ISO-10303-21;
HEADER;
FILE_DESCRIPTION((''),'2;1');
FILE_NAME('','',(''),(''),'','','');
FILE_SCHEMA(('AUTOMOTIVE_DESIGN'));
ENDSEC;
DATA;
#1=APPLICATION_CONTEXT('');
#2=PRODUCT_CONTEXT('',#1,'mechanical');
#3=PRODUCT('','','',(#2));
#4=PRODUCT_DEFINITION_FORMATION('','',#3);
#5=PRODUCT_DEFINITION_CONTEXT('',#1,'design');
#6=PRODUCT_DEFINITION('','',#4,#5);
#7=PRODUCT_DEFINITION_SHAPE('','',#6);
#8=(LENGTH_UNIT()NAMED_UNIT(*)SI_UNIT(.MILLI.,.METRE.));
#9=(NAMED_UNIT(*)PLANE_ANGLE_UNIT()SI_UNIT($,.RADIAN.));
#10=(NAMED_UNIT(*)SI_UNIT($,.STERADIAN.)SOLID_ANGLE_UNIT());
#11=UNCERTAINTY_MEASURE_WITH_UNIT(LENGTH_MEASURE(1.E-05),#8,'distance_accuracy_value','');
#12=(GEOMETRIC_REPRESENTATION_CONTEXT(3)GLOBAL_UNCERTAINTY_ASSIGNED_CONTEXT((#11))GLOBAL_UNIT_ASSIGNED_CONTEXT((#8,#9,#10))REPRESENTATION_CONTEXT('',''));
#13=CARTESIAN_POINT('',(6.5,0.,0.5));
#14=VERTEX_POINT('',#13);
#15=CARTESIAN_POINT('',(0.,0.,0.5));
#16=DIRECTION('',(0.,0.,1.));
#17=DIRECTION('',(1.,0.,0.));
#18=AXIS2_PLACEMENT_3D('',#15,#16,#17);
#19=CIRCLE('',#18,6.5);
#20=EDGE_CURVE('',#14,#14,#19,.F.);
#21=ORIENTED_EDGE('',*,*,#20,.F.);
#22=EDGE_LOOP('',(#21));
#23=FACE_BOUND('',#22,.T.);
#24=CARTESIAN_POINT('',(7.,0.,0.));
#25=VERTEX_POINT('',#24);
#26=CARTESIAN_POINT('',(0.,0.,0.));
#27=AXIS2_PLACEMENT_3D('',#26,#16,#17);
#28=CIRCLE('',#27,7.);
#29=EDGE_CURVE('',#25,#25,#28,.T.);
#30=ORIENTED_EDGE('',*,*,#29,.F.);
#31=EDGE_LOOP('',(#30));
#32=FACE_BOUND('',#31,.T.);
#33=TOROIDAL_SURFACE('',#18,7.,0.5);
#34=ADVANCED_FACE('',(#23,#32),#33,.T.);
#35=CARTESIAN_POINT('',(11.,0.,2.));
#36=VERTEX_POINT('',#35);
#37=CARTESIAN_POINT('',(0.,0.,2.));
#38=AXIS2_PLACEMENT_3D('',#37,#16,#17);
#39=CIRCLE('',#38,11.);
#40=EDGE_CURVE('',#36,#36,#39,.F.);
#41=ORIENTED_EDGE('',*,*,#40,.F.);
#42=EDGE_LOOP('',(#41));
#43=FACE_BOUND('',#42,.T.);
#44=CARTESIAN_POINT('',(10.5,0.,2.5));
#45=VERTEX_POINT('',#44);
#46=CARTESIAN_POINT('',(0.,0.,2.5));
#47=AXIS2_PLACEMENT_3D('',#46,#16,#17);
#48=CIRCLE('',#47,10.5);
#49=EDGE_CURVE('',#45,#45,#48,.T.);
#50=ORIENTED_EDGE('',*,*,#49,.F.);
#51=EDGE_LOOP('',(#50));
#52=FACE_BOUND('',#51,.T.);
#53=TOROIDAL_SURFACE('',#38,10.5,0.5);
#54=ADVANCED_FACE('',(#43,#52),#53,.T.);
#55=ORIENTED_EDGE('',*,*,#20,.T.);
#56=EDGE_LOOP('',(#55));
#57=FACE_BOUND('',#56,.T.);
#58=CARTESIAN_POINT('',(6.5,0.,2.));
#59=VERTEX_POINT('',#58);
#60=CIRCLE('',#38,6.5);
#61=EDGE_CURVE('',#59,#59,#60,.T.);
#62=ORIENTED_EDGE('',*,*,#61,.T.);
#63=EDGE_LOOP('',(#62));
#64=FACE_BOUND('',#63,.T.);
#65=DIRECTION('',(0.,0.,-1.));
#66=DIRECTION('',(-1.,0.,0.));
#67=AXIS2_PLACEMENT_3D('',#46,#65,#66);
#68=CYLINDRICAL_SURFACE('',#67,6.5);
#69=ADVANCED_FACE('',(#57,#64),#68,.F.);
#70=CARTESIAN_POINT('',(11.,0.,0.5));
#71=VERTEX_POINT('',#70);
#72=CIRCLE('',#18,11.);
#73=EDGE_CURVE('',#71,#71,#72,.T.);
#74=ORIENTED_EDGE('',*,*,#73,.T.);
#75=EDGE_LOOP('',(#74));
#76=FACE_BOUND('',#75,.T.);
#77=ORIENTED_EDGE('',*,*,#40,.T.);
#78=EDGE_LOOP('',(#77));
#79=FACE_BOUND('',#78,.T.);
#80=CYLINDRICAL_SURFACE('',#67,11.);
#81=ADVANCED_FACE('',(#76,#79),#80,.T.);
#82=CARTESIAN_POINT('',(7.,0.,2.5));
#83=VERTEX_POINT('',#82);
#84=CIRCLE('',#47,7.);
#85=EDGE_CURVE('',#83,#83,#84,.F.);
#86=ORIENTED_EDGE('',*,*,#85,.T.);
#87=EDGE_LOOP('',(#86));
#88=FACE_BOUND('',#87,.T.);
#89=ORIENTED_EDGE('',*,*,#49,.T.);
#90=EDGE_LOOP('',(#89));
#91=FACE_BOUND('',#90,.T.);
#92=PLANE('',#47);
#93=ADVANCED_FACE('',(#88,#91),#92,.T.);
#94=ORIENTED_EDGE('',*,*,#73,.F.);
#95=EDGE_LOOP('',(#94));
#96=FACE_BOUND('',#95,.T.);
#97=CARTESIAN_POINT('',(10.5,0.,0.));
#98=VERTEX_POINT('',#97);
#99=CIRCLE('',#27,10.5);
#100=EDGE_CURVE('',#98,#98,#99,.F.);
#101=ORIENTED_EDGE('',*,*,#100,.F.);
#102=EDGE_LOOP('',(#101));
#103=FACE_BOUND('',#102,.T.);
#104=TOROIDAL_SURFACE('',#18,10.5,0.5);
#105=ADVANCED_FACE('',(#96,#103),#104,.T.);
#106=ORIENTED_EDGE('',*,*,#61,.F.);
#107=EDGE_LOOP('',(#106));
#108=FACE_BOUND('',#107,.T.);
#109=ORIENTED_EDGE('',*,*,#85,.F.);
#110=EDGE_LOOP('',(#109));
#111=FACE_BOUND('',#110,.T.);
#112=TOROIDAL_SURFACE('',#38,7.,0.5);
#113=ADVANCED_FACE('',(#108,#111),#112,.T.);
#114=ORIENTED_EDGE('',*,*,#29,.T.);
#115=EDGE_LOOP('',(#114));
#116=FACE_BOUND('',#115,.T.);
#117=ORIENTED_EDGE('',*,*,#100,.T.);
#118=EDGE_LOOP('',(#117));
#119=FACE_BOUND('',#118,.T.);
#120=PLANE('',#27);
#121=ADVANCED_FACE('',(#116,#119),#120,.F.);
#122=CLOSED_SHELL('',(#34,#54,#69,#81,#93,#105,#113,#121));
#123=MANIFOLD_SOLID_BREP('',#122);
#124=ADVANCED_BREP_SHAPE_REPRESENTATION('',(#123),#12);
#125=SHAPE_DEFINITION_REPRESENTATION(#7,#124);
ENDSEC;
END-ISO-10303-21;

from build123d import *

# Parameters (mm, degrees)
SKETCH1_R           = 11
SKETCH1_R_2         = 6.5
BOSS_EXTRUDE1_DEPTH = 2.5
FILLET1_R           = 0.5


with BuildPart() as part:
    # Sketch1 → Boss-Extrude1 (new body)
    with BuildSketch(Plane.XY):
        Circle(SKETCH1_R)
        Circle(SKETCH1_R_2, mode=Mode.SUBTRACT)
    extrude(amount=BOSS_EXTRUDE1_DEPTH)

    # Fillet1
    fillet1_edges = [part.edges().sort_by_distance(p)[0] for p in [
        (-11, 0, 0),
        (-11, 0, 2.5),
        (-6.5, 0, 0),
        (-6.5, 0, 2.5),
    ]]
    fillet(fillet1_edges, radius=FILLET1_R)


solid = part.part
